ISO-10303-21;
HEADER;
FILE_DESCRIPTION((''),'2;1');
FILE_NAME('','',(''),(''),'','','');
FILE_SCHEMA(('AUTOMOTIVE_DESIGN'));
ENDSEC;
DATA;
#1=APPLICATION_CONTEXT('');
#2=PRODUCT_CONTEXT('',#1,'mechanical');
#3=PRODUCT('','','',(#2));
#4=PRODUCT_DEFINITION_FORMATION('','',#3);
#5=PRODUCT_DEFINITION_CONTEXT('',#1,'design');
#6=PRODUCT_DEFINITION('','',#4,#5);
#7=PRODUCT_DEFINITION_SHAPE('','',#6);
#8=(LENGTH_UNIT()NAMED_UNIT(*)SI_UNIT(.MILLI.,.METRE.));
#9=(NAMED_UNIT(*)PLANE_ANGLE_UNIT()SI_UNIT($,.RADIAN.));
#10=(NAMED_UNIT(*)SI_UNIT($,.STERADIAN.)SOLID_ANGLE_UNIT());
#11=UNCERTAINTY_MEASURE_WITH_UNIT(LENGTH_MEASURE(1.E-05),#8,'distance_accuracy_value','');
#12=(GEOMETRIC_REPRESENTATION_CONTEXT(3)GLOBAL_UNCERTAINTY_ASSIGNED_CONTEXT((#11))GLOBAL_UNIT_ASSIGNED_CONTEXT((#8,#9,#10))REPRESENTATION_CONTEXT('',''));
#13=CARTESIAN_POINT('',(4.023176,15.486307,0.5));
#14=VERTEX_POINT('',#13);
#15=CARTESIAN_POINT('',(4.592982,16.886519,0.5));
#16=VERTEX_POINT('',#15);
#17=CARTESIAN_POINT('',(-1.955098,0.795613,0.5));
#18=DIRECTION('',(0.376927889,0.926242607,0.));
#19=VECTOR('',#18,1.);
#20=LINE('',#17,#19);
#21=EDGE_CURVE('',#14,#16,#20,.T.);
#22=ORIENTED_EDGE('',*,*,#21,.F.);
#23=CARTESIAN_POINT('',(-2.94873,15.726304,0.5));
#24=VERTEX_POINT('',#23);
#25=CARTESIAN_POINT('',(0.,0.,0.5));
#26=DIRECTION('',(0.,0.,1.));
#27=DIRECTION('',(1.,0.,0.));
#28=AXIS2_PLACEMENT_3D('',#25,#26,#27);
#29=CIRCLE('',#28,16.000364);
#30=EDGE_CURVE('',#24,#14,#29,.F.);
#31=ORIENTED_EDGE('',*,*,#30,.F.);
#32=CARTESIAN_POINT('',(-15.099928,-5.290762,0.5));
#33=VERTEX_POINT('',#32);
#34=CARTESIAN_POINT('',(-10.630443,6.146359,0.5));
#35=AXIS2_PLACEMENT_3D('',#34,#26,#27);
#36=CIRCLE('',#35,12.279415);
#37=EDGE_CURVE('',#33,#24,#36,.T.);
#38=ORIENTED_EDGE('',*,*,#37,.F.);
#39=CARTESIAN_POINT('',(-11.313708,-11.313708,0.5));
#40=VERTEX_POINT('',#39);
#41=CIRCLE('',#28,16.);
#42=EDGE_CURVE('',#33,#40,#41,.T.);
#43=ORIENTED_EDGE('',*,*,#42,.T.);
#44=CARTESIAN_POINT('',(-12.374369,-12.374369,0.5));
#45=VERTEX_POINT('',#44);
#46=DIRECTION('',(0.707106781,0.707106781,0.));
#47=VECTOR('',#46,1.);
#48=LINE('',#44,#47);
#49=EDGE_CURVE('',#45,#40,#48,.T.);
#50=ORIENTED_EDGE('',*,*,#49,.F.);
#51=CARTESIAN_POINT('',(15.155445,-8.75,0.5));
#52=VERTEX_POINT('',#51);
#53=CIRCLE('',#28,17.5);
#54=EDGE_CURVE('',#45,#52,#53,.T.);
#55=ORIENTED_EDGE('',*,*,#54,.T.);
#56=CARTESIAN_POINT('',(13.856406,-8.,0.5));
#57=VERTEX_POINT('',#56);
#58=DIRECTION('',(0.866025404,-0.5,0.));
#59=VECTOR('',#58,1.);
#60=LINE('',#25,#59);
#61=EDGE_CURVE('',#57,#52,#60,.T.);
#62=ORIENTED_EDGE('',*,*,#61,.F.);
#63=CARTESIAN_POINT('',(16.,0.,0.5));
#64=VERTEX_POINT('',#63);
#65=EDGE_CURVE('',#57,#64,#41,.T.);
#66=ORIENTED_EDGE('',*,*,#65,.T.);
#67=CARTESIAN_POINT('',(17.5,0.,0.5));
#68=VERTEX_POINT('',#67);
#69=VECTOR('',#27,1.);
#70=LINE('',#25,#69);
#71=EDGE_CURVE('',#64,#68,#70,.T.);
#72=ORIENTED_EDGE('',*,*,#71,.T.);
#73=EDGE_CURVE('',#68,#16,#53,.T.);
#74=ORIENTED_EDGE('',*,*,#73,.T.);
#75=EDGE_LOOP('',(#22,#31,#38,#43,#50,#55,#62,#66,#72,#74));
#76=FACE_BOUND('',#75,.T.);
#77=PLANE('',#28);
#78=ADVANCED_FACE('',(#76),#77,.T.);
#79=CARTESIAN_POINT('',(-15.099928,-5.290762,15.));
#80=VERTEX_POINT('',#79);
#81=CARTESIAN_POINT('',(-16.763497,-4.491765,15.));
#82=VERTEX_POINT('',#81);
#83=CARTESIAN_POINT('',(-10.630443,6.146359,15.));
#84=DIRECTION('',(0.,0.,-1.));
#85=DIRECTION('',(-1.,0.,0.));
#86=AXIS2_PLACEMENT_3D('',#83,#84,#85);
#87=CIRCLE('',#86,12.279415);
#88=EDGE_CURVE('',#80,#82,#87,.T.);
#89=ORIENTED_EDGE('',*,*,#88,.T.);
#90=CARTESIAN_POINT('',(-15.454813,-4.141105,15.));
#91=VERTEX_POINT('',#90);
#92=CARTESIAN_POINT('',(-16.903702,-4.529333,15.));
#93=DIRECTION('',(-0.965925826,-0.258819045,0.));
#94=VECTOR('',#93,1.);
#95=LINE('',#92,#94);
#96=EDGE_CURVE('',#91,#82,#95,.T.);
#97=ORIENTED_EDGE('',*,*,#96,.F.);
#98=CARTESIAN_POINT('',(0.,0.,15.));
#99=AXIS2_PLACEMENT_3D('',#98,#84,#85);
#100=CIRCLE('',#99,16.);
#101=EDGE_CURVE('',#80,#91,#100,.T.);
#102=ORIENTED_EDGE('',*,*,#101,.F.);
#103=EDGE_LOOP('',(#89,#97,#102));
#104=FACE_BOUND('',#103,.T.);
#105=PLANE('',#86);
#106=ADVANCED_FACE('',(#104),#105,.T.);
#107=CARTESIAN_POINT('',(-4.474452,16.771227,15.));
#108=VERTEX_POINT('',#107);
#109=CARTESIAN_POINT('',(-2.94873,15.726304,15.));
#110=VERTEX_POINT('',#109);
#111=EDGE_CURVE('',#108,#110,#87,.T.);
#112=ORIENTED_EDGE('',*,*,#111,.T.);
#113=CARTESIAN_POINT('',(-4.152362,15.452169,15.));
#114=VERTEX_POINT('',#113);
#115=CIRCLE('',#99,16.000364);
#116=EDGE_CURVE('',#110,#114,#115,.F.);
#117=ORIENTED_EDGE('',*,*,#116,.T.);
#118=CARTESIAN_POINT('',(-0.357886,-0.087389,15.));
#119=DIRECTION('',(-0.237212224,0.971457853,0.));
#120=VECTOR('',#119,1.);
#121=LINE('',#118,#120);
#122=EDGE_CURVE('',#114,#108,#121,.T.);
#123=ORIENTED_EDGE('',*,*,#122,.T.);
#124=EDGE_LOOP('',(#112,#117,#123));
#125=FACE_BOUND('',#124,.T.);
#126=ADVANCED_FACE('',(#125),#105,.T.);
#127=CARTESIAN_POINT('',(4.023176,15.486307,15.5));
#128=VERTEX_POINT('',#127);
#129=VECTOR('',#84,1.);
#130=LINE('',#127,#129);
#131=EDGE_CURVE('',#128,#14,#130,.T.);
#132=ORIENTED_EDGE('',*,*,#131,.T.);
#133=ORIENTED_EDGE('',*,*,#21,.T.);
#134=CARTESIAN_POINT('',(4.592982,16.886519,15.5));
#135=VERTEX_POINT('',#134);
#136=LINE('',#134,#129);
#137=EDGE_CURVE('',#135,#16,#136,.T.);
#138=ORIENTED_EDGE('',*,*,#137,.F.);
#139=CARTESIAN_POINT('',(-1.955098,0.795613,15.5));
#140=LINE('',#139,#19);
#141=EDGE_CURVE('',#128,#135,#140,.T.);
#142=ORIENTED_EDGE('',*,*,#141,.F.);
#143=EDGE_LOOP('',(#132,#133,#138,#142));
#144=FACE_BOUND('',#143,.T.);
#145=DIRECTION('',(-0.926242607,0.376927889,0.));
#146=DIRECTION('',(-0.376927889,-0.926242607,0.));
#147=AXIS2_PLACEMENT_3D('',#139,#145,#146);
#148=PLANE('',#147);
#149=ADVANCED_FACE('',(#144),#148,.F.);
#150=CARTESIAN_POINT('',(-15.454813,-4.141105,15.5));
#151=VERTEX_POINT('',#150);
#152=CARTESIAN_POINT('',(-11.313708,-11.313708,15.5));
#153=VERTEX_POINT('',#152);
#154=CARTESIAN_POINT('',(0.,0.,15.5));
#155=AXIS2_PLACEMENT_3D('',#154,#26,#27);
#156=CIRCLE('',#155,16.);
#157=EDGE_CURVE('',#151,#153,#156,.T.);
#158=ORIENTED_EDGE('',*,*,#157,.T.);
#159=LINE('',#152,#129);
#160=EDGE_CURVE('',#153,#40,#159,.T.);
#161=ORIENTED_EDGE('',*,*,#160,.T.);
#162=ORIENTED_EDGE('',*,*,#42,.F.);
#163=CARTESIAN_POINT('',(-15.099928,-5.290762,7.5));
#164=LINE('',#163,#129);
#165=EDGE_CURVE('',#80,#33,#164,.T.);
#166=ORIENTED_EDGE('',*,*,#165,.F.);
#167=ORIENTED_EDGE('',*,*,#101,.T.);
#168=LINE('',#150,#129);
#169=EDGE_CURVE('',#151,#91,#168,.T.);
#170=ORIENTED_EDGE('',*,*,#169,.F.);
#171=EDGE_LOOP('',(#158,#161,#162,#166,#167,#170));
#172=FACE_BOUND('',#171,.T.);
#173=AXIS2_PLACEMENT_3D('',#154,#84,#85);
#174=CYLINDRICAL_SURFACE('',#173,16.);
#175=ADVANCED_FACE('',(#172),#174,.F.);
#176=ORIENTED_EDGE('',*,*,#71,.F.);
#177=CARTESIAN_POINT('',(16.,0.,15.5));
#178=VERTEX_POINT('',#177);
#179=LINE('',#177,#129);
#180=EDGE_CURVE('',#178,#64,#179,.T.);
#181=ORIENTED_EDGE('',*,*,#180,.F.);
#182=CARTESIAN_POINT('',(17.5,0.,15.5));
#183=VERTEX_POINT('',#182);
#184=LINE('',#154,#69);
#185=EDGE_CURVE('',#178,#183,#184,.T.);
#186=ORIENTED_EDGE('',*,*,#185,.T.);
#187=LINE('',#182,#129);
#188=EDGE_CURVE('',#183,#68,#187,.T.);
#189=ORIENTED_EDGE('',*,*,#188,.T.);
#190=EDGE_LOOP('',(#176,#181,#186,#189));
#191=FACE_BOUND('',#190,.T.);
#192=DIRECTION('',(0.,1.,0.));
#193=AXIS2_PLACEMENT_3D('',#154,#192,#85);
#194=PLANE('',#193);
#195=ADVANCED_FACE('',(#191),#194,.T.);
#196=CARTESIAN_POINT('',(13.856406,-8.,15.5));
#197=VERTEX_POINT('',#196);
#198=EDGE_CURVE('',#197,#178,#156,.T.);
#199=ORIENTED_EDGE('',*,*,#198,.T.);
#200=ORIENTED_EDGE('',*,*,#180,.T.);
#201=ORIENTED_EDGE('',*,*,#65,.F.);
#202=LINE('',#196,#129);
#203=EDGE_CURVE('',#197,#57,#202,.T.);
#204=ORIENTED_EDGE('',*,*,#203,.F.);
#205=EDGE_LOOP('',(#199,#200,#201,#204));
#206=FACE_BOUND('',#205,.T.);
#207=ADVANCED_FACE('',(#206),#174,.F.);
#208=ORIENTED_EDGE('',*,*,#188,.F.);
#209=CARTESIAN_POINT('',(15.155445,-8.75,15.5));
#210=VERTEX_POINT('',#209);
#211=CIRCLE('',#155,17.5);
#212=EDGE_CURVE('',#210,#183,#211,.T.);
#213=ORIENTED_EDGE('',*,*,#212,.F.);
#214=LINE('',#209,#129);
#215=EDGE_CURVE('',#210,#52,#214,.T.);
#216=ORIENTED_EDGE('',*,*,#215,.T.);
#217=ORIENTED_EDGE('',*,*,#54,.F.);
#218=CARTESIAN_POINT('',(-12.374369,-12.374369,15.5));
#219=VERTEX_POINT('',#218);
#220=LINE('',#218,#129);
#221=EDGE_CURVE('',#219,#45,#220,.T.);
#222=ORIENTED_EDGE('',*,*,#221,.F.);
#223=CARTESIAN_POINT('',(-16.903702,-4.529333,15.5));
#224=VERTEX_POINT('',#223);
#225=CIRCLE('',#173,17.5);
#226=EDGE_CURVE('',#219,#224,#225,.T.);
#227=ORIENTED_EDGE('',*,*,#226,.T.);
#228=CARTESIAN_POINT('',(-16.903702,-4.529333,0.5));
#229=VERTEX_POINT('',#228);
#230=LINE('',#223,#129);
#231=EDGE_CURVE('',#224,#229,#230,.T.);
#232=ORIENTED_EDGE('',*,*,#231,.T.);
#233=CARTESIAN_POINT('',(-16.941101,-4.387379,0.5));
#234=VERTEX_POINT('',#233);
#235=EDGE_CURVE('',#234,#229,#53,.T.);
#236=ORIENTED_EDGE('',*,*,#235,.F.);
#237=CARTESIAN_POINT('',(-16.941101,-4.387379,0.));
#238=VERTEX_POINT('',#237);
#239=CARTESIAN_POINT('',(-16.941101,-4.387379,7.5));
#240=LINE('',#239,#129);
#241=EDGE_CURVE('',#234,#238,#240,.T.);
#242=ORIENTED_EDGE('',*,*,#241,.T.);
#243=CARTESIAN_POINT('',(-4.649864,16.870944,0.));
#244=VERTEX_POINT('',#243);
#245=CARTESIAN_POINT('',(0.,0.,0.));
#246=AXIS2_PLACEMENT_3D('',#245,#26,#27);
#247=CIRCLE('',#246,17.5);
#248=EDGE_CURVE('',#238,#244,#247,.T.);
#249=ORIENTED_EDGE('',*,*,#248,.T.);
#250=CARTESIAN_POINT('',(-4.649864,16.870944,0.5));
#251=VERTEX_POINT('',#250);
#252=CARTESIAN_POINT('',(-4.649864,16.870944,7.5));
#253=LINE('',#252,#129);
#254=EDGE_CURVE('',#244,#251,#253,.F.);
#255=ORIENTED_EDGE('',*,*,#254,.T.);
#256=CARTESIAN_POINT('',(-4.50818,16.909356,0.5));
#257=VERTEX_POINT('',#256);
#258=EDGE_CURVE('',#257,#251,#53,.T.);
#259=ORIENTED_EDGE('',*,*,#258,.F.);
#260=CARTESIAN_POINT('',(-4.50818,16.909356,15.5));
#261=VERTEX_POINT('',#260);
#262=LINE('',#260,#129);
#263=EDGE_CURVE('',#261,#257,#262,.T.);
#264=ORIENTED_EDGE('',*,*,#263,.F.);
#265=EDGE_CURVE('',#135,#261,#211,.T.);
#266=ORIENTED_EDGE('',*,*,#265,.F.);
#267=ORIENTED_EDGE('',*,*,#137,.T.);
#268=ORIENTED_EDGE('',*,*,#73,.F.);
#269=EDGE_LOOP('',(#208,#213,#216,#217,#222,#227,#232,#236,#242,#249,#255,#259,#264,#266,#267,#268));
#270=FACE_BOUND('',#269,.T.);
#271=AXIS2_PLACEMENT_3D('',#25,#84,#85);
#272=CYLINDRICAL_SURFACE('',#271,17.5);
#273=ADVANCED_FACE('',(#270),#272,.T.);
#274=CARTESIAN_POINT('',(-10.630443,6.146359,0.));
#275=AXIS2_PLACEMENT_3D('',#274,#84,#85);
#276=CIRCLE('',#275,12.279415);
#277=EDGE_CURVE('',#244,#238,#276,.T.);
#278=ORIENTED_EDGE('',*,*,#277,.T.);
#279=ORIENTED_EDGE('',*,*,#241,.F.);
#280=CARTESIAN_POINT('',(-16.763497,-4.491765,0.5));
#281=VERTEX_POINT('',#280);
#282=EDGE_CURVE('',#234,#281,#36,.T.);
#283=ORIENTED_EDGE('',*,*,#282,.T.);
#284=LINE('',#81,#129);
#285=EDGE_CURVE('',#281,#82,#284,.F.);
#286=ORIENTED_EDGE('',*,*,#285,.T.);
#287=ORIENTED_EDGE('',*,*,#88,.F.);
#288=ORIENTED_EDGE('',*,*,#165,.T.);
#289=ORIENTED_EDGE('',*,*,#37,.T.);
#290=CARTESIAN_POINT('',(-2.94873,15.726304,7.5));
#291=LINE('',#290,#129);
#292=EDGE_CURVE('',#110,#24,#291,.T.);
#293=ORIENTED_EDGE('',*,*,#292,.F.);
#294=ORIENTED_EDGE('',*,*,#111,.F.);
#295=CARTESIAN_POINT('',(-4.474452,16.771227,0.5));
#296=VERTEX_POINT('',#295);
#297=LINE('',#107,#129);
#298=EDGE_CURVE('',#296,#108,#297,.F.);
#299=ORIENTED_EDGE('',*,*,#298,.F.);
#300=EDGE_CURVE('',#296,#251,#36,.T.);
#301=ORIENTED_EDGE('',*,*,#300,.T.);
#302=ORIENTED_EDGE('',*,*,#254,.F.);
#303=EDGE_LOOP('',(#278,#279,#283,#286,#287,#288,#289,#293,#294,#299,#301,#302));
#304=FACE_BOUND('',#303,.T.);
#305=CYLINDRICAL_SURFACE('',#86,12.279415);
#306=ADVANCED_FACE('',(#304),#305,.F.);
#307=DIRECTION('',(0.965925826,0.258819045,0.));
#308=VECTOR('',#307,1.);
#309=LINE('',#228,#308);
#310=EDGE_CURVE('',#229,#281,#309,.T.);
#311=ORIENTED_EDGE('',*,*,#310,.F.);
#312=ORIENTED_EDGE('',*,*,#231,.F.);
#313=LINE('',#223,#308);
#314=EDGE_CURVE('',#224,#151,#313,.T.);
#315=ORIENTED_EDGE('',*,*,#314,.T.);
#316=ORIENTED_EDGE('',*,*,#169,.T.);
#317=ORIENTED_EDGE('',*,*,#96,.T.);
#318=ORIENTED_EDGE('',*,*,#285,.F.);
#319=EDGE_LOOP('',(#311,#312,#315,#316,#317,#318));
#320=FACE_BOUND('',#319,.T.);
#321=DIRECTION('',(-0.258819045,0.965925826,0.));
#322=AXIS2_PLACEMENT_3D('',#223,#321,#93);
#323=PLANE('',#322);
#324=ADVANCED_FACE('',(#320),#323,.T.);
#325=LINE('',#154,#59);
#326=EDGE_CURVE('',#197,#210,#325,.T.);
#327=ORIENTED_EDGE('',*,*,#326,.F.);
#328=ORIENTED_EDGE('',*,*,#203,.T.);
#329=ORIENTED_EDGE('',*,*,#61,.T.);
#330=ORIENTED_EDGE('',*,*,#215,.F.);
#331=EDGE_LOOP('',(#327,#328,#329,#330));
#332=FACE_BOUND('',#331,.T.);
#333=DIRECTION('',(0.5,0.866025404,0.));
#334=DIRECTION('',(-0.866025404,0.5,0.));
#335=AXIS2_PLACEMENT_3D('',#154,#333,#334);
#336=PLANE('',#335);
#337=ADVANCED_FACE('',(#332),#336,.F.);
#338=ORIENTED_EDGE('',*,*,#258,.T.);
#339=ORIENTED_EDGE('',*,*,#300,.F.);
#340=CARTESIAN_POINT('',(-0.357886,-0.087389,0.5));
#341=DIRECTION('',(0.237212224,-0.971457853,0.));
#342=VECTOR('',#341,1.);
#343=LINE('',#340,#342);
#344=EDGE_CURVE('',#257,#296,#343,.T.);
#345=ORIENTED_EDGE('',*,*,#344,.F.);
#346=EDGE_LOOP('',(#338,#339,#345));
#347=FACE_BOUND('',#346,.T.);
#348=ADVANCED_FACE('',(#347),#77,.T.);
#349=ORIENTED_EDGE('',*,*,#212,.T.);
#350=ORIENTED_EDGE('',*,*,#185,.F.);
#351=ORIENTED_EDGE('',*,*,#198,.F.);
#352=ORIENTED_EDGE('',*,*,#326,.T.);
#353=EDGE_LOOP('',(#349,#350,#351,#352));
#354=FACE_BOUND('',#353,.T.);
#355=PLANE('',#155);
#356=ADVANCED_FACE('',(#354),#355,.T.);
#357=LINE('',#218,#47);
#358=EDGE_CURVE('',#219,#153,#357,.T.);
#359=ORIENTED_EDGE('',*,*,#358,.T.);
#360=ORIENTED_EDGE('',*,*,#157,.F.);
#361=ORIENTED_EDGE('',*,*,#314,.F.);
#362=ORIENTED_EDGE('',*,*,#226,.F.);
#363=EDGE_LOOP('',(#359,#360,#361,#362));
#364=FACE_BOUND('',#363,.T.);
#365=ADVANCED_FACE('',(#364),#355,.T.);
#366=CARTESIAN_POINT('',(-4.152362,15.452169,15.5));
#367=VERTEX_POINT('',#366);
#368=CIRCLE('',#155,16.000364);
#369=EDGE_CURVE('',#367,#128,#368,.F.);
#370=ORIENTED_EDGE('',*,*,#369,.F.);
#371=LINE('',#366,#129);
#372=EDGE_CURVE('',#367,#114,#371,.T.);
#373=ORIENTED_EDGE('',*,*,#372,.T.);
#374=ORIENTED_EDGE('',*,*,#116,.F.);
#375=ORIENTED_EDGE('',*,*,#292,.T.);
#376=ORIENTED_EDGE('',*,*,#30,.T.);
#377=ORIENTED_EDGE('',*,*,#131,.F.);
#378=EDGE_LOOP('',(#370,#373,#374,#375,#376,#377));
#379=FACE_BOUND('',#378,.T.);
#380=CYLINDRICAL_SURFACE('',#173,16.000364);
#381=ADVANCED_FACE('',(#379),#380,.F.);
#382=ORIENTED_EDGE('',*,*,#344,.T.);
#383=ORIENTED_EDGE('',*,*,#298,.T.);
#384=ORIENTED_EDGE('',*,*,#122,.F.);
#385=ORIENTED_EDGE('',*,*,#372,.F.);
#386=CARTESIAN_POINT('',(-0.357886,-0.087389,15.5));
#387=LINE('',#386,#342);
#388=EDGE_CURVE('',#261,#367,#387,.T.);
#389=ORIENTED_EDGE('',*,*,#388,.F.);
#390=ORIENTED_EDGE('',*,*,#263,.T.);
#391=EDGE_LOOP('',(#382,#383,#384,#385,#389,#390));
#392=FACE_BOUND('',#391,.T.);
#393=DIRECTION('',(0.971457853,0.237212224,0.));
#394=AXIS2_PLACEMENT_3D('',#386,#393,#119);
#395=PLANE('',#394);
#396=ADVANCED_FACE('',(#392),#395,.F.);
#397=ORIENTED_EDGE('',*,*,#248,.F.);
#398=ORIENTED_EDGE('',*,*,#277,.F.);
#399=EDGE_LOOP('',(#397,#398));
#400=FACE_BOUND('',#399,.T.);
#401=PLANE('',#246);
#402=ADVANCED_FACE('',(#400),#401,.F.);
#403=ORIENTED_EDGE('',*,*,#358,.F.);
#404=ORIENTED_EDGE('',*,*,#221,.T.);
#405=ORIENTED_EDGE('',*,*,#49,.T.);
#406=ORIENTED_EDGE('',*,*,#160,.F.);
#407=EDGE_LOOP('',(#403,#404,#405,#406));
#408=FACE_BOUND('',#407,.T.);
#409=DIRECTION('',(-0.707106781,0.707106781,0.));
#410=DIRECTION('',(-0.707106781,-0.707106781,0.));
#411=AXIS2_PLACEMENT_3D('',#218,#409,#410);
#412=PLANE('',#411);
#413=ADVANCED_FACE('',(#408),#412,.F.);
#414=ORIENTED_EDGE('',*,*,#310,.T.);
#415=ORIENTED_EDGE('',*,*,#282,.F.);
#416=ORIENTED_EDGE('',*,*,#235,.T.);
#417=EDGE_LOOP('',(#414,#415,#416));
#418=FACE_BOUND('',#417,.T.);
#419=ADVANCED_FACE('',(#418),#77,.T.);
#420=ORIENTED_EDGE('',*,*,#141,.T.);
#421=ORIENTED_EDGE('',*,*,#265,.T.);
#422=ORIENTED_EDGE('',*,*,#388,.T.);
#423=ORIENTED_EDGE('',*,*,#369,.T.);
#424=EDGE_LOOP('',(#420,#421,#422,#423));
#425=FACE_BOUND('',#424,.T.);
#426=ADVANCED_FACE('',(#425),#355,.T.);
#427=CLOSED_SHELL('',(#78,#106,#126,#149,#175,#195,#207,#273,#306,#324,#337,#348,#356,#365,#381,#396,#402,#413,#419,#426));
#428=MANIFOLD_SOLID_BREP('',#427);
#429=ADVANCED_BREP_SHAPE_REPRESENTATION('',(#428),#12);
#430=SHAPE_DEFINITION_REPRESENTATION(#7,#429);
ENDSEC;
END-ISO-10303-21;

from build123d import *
from build123d.topology import SkipClean

# Parameters (mm, degrees)
SKETCH1_R           = 17.5
BOSS_EXTRUDE1_DEPTH = 0.5
BOSS_EXTRUDE2_DEPTH = 15
SKETCH3_R           = 12.279415491
CUT_EXTRUDE1_DEPTH  = 15


with BuildPart() as part:
    # Sketch1 → Boss-Extrude1 (new body)
    with BuildSketch(Plane.XY):
        Circle(SKETCH1_R)
    extrude(amount=BOSS_EXTRUDE1_DEPTH)

    # Sketch2 → Boss-Extrude2 (add)
    with SkipClean():  # the faces are left unmerged after this step: merging them gives an invalid solid
        with BuildSketch(Plane.XY.offset(0.5)):
            with BuildLine():
                ThreePointArc((15.155444566, -8.75), (16.90370196, -4.529333289), (17.5, 0))
                Line((17.5, 0), (16, 0))
                ThreePointArc((16, 0), (15.454813221, -4.141104722), (13.856406461, -8))
                Line((13.856406461, -8), (15.155444566, -8.75))
            make_face()
            with BuildLine():
                ThreePointArc((4.592982123, 16.886518742), (0.043911409, 17.499944908), (-4.508180458, 16.909355664))
                Line((-4.508180458, 16.909355664), (-4.152362122, 15.452168884))
                ThreePointArc((-4.152362122, 15.452168884), (-0.066810406, 16.000224085), (4.023175675, 15.486306593))
                Line((4.023175675, 15.486306593), (4.592982123, 16.886518742))
            make_face()
            with BuildLine():
                ThreePointArc((-15.454813221, -4.141104722), (-13.856406461, -8), (-11.313708499, -11.313708499))
                Line((-11.313708499, -11.313708499), (-12.374368671, -12.374368671))
                ThreePointArc((-12.374368671, -12.374368671), (-15.155444566, -8.75), (-16.90370196, -4.529333289))
                Line((-16.90370196, -4.529333289), (-15.454813221, -4.141104722))
            make_face()
        extrude(amount=BOSS_EXTRUDE2_DEPTH)

    # Sketch3 → Cut-Extrude1 (cut)
    with SkipClean():  # the faces are left unmerged after this step: merging them gives an invalid solid
        with BuildSketch(Plane(origin=(0, 0, 0), x_dir=(-1, 0, 0), z_dir=(0, 0, -1))):
            with Locations((10.630442789, 6.146359158)):
                Circle(SKETCH3_R)
        extrude(amount=-CUT_EXTRUDE1_DEPTH, mode=Mode.SUBTRACT)


solid = part.part
